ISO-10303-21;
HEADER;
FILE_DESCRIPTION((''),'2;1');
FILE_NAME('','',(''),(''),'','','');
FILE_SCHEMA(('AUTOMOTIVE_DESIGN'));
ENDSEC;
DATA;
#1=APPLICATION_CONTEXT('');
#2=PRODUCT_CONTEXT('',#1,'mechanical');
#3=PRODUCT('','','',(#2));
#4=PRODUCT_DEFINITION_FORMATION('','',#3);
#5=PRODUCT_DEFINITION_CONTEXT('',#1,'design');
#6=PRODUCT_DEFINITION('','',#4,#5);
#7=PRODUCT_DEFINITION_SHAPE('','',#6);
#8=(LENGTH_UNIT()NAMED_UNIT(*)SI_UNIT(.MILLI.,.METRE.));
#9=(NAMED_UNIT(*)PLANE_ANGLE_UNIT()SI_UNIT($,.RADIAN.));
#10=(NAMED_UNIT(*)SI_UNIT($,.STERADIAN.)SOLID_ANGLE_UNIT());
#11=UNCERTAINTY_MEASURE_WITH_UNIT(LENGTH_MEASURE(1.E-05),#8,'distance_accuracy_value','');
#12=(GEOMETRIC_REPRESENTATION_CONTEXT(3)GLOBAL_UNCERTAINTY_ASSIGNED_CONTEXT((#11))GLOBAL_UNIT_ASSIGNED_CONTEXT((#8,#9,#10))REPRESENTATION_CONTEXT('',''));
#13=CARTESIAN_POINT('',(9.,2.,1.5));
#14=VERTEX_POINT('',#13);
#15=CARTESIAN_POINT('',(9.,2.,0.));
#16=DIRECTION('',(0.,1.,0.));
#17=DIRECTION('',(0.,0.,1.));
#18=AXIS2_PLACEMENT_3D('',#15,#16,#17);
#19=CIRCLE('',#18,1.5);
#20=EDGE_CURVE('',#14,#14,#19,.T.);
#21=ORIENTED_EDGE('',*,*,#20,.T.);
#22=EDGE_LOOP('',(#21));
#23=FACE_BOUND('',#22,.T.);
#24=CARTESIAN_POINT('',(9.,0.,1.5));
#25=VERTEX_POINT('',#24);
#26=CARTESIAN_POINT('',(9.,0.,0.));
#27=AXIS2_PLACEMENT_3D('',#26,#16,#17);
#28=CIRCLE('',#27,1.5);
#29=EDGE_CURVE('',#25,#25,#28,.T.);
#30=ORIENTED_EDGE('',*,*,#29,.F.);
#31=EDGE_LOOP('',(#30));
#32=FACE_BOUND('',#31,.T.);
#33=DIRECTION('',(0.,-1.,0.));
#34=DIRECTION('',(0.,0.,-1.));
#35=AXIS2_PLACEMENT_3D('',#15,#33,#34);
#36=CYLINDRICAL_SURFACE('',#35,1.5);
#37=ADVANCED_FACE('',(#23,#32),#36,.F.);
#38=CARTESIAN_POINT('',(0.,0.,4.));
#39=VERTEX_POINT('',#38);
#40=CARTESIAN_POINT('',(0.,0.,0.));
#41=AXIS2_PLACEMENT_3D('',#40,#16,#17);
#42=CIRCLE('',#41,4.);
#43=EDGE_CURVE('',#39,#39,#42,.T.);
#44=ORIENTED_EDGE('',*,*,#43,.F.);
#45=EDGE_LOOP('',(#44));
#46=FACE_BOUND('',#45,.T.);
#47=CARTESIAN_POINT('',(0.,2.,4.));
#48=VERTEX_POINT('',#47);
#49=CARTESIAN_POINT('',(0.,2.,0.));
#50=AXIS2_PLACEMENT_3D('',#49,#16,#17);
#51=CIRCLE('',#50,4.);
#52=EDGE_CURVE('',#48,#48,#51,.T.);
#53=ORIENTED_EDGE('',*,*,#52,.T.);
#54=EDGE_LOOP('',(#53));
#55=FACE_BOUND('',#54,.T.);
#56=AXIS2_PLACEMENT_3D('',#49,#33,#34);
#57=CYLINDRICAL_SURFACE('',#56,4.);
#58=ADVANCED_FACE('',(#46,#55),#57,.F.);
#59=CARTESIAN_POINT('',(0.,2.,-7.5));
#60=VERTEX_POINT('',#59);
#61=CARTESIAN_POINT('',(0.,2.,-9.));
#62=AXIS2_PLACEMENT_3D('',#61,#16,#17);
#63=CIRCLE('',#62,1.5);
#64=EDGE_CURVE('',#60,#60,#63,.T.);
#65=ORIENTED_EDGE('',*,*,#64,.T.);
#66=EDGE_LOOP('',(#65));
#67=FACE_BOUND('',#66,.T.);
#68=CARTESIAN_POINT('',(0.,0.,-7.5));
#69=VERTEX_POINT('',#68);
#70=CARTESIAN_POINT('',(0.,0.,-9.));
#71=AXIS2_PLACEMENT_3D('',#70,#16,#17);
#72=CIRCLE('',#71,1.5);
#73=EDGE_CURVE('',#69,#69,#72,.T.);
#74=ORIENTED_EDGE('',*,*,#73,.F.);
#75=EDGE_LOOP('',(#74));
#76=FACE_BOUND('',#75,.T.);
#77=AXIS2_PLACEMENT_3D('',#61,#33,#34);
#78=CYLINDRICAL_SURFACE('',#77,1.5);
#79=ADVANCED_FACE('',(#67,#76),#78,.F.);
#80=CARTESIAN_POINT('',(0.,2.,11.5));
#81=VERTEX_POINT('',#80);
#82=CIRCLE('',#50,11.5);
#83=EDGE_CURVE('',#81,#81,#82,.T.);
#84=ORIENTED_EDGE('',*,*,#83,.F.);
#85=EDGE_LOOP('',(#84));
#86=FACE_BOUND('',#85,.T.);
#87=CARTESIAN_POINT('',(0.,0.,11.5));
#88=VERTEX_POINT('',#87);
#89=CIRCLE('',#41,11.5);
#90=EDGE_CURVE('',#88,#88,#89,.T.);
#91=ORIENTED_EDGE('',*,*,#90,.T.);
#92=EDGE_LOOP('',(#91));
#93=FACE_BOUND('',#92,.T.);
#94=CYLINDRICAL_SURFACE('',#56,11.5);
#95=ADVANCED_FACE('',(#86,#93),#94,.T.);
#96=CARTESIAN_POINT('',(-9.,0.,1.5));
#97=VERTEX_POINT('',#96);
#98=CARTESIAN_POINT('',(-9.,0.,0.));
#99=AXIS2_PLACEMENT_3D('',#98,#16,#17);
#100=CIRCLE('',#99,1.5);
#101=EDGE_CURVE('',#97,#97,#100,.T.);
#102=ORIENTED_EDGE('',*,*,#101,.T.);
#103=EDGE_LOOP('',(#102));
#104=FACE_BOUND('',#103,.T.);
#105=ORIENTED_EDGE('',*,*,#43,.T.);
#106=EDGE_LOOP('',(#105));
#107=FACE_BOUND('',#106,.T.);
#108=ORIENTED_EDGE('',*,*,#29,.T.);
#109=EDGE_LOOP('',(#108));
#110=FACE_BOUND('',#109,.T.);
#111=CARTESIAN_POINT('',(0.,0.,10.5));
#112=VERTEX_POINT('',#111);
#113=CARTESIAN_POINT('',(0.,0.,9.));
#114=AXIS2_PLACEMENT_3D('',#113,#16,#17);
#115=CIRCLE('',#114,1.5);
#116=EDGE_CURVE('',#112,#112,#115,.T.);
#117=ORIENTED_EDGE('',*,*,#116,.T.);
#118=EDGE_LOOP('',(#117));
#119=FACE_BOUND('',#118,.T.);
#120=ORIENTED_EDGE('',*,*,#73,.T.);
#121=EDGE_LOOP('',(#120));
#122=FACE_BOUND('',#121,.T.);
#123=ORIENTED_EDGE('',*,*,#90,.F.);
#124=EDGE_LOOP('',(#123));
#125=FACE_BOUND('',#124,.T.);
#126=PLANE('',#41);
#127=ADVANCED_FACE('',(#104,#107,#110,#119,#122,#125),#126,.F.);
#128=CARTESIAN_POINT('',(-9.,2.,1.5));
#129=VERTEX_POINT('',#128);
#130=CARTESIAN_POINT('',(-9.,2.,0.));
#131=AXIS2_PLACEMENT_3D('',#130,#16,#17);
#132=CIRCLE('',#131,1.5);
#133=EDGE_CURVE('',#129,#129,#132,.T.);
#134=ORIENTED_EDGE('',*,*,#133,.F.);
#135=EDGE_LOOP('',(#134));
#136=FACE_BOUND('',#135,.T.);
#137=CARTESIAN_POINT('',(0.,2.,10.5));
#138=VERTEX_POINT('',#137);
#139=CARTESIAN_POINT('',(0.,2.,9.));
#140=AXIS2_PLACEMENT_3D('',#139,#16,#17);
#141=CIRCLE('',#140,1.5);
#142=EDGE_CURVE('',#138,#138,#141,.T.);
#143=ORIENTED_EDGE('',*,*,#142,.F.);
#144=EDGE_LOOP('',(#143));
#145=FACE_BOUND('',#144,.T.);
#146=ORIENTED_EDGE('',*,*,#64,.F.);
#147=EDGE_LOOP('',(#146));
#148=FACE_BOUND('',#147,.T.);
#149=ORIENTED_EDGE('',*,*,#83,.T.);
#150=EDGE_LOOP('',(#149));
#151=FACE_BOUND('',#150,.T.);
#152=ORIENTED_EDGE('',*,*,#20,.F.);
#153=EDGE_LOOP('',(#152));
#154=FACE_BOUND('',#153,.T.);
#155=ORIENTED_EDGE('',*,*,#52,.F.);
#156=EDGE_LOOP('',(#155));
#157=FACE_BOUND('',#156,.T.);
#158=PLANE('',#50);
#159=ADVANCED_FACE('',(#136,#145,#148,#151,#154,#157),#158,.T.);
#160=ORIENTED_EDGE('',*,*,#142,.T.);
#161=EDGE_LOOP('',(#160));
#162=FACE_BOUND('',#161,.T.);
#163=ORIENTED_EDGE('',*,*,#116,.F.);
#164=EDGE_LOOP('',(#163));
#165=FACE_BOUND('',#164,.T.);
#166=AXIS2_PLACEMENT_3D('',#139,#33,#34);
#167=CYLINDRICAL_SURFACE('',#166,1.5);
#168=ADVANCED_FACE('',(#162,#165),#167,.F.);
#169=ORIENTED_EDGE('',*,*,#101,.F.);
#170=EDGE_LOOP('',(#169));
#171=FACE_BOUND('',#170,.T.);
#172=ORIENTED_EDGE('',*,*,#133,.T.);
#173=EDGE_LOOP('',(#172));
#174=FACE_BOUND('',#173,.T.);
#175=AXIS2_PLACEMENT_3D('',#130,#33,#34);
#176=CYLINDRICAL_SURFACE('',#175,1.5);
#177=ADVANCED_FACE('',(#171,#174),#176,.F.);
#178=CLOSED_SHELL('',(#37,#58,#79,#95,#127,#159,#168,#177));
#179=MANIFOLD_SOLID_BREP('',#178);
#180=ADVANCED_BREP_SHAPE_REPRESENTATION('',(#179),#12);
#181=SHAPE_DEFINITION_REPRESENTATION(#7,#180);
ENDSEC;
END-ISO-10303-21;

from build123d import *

# Parameters (mm, degrees)
SKETCH1_R           = 11.5
SKETCH1_R_2         = 4
SKETCH1_R_3         = 1.5
BOSS_EXTRUDE1_DEPTH = 2


with BuildPart() as part:
    # Sketch1 → Boss-Extrude1 (new body)
    with BuildSketch(Plane(origin=(0, 0, 0), x_dir=(1, 0, 0), z_dir=(0, 1, 0))):
        with Locations(Location((0, 0, 0), (0, 0, 270))):
            Circle(SKETCH1_R)
        with Locations(Location((0, 0, 0), (0, 0, 270))):
            Circle(SKETCH1_R_2, mode=Mode.SUBTRACT)
        with Locations(Location((9, 0, 0), (0, 0, 270))):
            Circle(SKETCH1_R_3, mode=Mode.SUBTRACT)
        with Locations(Location((0, 9, 0), (0, 0, 270))):
            Circle(SKETCH1_R_3, mode=Mode.SUBTRACT)
        with Locations(Location((-9, 0, 0), (0, 0, 270))):
            Circle(SKETCH1_R_3, mode=Mode.SUBTRACT)
        with Locations(Location((0, -9, 0), (0, 0, 270))):
            Circle(SKETCH1_R_3, mode=Mode.SUBTRACT)
    extrude(amount=BOSS_EXTRUDE1_DEPTH)


solid = part.part
